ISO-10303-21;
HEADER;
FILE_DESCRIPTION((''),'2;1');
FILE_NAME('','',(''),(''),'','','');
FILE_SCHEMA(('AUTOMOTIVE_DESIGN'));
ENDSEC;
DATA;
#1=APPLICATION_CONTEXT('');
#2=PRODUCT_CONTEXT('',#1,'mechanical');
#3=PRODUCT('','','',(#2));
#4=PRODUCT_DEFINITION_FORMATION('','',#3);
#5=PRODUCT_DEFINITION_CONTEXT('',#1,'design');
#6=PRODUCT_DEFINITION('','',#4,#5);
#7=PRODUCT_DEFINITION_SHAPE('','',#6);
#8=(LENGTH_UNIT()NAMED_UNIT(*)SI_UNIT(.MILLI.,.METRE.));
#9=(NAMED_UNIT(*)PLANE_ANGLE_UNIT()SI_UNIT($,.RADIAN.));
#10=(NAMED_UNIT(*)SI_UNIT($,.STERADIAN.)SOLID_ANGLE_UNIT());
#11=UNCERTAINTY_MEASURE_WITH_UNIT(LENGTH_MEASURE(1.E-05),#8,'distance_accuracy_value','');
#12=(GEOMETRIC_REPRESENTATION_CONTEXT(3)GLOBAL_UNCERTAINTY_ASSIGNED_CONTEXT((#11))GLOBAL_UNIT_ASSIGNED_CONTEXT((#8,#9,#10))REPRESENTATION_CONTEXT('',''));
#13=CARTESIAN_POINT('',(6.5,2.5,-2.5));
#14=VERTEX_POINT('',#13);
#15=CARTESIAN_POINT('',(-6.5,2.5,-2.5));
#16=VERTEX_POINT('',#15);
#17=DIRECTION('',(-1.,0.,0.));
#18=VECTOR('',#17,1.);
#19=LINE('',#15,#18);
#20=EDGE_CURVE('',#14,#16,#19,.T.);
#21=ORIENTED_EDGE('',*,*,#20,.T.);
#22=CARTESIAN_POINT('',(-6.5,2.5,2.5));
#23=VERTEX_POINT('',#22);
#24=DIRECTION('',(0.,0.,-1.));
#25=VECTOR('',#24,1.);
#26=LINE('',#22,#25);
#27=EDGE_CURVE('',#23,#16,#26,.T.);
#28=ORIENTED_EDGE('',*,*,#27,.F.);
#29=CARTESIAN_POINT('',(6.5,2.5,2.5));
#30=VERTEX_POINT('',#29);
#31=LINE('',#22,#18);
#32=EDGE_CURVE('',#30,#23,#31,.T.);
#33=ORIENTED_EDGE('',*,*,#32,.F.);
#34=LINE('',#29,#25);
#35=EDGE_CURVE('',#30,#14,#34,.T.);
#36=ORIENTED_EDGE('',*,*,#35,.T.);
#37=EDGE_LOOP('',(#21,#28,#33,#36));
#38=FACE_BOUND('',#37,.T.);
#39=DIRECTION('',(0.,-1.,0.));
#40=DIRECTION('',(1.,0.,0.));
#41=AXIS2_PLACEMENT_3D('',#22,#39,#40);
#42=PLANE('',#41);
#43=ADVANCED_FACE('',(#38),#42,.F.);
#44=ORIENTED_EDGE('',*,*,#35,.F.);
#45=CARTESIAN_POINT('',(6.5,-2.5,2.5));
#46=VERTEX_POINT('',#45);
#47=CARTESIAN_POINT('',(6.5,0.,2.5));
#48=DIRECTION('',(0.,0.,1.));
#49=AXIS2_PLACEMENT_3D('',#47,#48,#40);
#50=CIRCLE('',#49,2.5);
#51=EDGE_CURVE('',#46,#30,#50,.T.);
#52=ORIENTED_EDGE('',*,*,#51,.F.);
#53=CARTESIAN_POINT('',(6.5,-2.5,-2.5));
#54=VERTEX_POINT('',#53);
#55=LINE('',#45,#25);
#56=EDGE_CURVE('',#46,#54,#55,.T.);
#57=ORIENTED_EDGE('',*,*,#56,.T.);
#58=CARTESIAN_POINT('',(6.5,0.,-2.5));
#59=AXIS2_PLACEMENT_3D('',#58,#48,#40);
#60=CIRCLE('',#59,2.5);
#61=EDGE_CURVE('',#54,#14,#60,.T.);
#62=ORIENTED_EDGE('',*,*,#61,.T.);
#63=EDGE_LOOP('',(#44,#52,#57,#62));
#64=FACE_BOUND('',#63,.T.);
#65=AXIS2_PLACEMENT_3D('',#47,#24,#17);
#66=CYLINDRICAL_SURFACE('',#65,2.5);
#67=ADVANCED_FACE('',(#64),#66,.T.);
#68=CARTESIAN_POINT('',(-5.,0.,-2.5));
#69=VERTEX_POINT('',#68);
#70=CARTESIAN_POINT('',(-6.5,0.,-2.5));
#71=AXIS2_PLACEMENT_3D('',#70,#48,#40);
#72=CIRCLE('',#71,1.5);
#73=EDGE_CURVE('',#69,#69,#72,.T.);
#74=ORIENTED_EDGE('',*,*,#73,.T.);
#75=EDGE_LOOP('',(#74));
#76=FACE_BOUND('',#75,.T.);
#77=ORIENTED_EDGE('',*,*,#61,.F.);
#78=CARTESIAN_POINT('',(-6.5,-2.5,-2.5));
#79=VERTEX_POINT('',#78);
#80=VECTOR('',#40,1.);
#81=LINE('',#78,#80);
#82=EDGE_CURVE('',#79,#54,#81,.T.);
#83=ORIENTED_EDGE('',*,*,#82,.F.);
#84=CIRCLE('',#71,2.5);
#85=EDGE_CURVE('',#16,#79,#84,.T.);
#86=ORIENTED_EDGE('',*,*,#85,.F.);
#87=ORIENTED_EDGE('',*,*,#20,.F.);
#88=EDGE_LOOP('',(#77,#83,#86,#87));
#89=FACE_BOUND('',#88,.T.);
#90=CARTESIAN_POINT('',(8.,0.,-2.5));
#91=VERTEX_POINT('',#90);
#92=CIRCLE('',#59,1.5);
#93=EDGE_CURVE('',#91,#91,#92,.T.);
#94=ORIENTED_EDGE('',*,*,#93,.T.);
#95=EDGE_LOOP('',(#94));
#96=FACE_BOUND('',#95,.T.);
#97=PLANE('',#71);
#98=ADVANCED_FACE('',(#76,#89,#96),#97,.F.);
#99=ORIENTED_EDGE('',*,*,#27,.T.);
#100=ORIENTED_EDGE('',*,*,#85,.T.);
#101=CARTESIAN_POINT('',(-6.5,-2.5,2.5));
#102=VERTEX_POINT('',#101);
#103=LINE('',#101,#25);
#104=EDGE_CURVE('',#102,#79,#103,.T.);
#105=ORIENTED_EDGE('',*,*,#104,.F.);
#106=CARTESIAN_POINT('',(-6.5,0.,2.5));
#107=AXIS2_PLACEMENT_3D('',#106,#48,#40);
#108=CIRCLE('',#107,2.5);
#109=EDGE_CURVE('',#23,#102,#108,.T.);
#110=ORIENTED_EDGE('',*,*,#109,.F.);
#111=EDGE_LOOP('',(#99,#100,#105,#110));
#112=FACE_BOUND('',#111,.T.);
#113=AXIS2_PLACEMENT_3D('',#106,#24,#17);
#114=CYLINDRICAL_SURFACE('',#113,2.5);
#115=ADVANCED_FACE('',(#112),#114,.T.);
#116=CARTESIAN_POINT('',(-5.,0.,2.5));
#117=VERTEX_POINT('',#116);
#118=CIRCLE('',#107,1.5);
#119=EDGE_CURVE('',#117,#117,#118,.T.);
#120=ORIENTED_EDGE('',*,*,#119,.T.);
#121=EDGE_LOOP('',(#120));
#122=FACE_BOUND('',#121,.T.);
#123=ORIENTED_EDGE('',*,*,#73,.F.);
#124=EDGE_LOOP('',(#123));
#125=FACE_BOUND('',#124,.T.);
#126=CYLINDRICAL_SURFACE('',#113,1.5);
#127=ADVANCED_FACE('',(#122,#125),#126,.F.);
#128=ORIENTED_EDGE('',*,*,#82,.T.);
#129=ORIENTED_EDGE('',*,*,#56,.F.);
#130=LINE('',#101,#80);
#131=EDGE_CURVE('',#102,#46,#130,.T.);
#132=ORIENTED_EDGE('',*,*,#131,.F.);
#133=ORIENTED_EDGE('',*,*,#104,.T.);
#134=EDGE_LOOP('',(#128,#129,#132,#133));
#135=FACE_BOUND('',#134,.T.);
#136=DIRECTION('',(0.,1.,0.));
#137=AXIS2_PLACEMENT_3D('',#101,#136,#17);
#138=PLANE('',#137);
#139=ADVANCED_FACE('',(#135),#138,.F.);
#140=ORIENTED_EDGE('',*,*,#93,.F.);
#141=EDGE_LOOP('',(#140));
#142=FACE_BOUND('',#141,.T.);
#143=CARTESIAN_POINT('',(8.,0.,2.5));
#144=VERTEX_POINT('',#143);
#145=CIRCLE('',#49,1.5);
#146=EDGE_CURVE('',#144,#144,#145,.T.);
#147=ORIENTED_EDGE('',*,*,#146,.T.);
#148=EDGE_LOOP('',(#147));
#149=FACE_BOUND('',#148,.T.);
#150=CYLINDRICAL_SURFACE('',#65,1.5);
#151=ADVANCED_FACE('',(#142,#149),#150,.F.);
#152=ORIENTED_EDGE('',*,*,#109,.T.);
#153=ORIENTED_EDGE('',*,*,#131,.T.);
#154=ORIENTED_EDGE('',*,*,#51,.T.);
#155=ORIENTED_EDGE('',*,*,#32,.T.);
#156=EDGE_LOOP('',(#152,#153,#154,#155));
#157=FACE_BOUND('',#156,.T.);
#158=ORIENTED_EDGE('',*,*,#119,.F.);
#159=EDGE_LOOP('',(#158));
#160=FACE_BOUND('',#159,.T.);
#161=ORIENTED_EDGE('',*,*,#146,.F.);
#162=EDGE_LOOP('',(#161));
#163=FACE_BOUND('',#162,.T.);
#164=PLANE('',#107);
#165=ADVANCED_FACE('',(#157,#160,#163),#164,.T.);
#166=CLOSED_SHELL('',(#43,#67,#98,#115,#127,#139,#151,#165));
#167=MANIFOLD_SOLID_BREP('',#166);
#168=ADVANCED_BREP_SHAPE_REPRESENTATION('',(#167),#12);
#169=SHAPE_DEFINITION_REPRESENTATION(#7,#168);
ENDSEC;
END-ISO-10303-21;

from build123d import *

# Parameters (mm, degrees)
SKETCH1_R           = 1.5
BOSS_EXTRUDE1_DEPTH = 2.5


with BuildPart() as part:
    # Sketch1 → Boss-Extrude1 (new, symmetric)
    with BuildSketch(Plane.XY):
        with BuildLine():
            Line((-6.5, 2.5), (6.5, 2.5))
            ThreePointArc((6.5, 2.5), (9, 0), (6.5, -2.5))
            Line((6.5, -2.5), (-6.5, -2.5))
            ThreePointArc((-6.5, -2.5), (-9, 0), (-6.5, 2.5))
        make_face()
        with Locations((-6.5, 0)):
            Circle(SKETCH1_R, mode=Mode.SUBTRACT)
        with Locations((6.5, 0)):
            Circle(SKETCH1_R, mode=Mode.SUBTRACT)
    extrude(amount=BOSS_EXTRUDE1_DEPTH, both=True)


solid = part.part
